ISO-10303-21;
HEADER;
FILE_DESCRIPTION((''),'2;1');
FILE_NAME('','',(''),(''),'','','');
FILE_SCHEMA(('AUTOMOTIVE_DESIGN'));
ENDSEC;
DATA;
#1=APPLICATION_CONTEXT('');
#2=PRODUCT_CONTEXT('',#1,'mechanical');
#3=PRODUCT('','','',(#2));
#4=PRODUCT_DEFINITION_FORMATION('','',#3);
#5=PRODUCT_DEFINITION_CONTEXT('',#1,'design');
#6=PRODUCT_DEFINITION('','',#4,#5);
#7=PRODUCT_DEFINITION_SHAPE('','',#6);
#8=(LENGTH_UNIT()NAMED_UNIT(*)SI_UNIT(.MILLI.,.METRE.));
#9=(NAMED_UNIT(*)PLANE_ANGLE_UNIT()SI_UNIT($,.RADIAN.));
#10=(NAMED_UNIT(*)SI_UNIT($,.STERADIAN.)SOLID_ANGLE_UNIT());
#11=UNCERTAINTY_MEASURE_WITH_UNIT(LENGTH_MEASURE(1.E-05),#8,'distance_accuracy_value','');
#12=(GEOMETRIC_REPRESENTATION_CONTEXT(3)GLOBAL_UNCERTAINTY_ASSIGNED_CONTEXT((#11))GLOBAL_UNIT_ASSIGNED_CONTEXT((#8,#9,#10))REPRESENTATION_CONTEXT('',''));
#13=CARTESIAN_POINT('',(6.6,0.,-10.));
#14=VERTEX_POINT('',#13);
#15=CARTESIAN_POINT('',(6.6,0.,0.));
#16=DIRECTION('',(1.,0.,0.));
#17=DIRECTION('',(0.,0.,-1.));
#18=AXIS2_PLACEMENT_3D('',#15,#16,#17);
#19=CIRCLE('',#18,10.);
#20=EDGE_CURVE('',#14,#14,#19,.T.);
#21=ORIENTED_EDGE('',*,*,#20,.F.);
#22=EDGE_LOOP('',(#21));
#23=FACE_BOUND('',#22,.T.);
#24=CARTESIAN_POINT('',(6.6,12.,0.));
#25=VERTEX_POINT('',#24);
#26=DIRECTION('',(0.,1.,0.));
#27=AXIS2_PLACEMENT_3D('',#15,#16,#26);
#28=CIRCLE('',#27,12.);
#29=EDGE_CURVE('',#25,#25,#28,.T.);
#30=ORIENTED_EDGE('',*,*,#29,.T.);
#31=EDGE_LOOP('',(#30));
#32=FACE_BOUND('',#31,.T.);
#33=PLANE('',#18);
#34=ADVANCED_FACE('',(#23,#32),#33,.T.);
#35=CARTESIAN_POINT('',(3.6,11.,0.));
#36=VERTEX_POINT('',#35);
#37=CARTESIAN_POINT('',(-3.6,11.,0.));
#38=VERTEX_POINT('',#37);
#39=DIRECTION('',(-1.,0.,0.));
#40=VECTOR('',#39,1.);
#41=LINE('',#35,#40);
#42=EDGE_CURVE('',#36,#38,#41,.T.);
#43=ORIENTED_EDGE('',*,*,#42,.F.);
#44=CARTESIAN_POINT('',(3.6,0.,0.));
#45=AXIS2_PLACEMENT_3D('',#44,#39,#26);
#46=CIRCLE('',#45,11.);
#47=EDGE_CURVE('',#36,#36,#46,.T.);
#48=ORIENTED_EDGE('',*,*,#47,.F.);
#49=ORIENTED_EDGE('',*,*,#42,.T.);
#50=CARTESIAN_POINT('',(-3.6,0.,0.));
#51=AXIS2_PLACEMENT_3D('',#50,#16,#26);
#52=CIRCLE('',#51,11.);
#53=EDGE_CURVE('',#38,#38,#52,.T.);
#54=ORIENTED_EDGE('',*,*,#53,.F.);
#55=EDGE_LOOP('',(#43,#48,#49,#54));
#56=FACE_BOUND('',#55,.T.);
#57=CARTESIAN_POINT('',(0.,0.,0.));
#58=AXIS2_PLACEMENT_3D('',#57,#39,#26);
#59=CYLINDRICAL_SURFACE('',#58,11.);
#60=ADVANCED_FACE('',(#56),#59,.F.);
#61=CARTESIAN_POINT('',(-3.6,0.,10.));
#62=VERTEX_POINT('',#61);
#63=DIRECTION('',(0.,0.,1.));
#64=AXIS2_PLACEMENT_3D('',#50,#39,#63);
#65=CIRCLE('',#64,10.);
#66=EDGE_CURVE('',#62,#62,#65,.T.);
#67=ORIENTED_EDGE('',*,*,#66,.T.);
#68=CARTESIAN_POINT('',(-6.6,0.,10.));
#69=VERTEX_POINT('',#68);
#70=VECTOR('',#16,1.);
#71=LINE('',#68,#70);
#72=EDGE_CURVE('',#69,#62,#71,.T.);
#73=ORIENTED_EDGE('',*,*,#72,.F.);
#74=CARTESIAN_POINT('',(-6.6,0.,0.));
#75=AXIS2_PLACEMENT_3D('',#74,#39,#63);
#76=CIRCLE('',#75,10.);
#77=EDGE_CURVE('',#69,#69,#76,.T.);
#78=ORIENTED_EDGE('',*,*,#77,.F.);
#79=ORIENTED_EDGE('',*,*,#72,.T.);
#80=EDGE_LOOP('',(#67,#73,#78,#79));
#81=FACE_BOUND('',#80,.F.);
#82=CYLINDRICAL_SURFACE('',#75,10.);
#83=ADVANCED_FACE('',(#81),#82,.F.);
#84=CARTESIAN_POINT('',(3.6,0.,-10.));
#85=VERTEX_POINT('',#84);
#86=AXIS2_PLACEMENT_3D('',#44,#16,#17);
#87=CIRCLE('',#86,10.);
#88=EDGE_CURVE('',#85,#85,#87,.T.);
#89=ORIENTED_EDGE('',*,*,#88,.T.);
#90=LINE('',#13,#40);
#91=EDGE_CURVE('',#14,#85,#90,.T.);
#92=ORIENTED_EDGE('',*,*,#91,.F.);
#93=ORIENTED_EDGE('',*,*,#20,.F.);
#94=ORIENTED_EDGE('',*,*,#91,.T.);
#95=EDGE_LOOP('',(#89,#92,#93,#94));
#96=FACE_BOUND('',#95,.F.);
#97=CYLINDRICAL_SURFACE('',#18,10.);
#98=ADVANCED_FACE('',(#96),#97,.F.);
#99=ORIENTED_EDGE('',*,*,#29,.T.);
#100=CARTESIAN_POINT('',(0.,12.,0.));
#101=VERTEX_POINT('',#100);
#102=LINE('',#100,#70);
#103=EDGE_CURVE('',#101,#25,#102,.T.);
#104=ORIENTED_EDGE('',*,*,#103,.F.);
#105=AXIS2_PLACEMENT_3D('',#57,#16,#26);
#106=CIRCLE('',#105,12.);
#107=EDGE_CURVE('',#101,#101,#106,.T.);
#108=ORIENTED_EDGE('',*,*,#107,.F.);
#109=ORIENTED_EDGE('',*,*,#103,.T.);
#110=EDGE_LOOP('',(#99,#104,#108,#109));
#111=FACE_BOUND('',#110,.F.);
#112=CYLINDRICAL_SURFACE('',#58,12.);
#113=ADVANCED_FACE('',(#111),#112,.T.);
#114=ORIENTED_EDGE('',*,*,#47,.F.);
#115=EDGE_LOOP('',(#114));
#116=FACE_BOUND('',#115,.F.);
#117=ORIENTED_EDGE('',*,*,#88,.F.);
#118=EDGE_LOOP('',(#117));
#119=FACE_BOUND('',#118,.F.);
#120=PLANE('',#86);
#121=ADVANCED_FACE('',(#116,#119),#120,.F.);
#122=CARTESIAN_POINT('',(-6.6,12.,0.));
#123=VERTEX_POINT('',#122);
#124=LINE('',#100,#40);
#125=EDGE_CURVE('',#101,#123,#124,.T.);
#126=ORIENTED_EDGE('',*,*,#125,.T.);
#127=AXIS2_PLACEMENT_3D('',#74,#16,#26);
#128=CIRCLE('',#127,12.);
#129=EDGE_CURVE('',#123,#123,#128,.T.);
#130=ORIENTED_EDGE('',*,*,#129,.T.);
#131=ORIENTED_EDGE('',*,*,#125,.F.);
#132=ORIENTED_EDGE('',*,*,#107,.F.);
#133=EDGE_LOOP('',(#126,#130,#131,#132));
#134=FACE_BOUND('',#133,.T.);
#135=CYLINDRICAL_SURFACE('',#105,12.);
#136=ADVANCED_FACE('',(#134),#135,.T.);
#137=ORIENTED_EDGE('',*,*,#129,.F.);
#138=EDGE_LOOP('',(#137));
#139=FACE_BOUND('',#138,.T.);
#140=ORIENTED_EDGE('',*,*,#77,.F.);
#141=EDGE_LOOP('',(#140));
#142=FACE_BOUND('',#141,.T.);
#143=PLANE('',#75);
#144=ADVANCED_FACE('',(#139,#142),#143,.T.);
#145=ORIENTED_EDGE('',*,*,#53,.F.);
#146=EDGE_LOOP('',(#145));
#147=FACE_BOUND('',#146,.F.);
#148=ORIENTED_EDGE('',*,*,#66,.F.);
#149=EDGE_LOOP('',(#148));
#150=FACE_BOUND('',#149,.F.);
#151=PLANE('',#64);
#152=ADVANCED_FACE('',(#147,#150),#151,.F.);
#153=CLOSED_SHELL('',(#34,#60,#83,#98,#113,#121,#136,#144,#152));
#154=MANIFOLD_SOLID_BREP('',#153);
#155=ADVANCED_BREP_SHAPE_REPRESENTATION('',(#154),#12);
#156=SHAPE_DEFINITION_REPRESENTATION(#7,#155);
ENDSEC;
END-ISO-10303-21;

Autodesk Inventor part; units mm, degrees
ref_plane "YZ Plane" through (0, 0, 0) normal (1, 0, 0) x (0, 1, 0)
ref_plane "XZ Plane" through (0, 0, 0) normal (0, 1, 0) x (-1, 0, 0)
ref_plane "XY Plane" through (0, 0, 0) normal (0, 0, 1) x (1, 0, 0)
sketch "Sketch1" plane through (0, 0, 0) normal (1, 0, 0) x (0, 1, 0)
  circle A0 centre (0, 0) radius 12
  circle A1 centre (0, 0) radius 11
  dimension "d0" = 24
  dimension "d1" = 22
extrude "Extrusion1" add sketch "Sketch1" along normal mid plane 13.2
sketch "Sketch4" plane through (-6.6, 0, 0) normal (-1, 0, 0) x (0, 0, 1)
  circle A0 centre (0, 0) radius 10
  circle A1 centre (0, 0) radius 11
  dimension "d9" = 20
  dimension "d10" = 22
extrude "Extrusion3" add sketch "Sketch4" against normal blind 3
sketch "Sketch5" plane through (6.6, 0, 0) normal (1, 0, 0) x (0, 0, -1)
  circle A0 centre (0, 0) radius 10
  circle A1 centre (0, 0) radius 11
  dimension "d13" = 20
  dimension "d14" = 22
extrude "Extrusion4" add sketch "Sketch5" against normal blind 3
equation "\"d0\" = BearingDiameter"
equation "\"d2\" = BearingSiliconeWidth"
equation "\"BearingDiameter\" = 24"
equation "\"BearingSiliconeWidth\" = 13.2"
properties part number "Bearing_Silicone" material "UHMW, White"
